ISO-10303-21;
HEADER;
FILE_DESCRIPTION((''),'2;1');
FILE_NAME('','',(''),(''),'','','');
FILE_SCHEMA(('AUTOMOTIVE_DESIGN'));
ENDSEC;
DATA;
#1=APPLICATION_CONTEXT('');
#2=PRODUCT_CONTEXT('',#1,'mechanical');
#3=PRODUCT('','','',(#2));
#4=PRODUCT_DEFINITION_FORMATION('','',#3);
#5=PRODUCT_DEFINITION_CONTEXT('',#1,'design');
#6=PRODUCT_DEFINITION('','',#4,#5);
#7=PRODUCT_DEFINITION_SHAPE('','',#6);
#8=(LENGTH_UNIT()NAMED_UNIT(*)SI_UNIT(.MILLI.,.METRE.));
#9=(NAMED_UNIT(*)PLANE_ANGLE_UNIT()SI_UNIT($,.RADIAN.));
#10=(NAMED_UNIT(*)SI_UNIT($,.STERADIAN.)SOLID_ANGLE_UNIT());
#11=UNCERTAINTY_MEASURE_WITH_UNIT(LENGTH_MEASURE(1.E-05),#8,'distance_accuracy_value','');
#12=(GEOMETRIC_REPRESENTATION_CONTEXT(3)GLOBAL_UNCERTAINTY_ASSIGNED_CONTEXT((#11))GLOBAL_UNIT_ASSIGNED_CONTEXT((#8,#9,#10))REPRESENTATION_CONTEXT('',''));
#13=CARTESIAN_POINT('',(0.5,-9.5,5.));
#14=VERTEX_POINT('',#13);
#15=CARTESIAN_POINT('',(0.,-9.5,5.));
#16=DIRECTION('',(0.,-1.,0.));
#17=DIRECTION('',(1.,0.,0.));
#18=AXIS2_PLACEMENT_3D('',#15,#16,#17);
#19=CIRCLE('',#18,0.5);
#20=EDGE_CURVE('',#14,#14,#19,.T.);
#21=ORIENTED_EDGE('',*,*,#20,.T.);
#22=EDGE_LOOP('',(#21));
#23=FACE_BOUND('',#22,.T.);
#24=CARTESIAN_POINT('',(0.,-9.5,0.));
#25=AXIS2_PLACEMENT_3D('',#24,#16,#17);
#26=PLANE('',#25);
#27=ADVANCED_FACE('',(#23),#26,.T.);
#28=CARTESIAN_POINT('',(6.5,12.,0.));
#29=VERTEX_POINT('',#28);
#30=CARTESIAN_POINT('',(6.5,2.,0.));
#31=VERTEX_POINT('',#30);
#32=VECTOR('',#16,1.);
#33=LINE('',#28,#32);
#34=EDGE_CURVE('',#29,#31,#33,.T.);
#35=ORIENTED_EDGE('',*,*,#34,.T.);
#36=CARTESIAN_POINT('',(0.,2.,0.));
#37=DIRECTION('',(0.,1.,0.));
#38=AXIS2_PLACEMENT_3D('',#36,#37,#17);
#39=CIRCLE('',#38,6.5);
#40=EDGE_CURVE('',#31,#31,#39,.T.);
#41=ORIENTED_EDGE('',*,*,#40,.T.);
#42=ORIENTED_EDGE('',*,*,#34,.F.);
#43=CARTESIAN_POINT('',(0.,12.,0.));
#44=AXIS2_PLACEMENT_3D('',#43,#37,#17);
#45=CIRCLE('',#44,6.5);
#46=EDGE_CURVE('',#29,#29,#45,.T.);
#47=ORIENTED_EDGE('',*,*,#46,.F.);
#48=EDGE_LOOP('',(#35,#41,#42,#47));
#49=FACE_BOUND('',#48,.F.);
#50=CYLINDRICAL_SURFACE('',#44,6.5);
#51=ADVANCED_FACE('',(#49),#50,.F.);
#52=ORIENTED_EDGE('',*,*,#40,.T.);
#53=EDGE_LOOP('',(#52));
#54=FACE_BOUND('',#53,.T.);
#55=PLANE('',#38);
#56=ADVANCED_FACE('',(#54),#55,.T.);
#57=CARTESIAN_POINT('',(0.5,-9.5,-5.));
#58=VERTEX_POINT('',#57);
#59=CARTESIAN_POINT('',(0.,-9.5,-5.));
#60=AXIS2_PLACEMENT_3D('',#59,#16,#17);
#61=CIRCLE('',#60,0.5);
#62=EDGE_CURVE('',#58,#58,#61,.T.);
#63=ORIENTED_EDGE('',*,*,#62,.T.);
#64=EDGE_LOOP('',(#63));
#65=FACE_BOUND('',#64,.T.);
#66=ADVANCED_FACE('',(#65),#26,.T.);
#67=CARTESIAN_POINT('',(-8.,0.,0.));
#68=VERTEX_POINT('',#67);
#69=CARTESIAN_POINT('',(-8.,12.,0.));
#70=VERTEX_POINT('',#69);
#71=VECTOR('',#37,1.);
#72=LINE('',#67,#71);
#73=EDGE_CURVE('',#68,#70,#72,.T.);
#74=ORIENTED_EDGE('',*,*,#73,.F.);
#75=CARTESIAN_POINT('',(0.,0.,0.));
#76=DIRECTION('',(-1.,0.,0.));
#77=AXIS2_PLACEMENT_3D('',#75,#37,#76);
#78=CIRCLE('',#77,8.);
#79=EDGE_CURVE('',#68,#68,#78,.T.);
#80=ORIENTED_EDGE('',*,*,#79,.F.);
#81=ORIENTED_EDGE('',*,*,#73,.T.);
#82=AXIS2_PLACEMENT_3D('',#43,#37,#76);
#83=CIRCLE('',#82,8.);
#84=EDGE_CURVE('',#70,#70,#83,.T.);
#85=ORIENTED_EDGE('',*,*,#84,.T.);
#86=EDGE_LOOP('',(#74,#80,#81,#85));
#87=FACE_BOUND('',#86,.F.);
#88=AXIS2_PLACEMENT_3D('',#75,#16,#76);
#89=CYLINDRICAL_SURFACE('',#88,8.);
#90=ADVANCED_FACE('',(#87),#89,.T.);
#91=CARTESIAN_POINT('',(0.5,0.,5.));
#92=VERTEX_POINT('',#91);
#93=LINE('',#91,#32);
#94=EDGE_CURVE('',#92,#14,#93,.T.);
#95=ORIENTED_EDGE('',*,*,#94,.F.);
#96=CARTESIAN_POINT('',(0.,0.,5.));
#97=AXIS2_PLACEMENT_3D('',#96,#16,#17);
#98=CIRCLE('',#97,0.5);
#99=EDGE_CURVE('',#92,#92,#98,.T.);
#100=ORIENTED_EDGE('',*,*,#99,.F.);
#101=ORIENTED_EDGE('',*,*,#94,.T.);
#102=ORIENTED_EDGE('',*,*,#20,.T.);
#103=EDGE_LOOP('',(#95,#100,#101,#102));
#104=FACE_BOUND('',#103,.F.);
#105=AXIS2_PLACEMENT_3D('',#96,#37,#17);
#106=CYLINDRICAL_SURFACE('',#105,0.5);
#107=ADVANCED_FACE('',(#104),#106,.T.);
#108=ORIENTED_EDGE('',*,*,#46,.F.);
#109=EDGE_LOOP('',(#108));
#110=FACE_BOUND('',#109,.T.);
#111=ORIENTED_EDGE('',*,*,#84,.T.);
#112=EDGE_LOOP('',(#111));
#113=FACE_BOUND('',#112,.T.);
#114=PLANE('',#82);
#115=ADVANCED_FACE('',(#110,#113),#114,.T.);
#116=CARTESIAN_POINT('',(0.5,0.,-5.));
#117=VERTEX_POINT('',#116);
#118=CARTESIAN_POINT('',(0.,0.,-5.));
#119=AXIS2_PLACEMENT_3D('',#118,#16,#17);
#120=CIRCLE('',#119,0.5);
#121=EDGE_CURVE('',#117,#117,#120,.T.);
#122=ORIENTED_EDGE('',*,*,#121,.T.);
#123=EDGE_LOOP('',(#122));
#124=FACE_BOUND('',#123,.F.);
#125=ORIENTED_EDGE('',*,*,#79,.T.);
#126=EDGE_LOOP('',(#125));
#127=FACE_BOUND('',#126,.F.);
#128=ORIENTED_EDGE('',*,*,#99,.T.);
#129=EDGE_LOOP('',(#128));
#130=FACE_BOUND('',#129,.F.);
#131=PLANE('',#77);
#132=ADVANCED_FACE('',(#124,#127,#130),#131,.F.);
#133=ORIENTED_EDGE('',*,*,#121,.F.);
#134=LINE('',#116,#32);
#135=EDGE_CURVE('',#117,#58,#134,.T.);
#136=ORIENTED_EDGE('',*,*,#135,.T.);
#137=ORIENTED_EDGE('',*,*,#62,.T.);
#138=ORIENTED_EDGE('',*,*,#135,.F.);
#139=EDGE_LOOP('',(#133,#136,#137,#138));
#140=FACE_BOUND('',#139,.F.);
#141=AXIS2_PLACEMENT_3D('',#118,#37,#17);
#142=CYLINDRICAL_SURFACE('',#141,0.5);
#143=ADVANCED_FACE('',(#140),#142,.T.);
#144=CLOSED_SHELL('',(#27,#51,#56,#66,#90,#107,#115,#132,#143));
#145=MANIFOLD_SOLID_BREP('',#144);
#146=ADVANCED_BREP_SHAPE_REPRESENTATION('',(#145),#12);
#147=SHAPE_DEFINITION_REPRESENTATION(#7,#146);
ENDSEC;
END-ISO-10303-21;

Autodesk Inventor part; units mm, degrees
ref_plane "YZ Plane" through (0, 0, 0) normal (1, 0, 0) x (0, 1, 0)
ref_plane "XZ Plane" through (0, 0, 0) normal (0, 1, 0) x (-1, 0, 0)
ref_plane "XY Plane" through (0, 0, 0) normal (0, 0, 1) x (1, 0, 0)
sketch "Sketch1" plane through (0, 0, 0) normal (0, 1, 0) x (-1, 0, 0)
  line L0 (0, -11.2) -> (0, 11.2) construction
  line L1 (-11.2, 0) -> (11.2, 0) construction
  circle A0 centre (0, 0) radius 8
  dimension "d0" = 16
extrude "Extrusion1" add sketch "Sketch1" along normal blind 12
sketch "Sketch2" plane through (0, 12, 0) normal (0, 1, 0) x (1, 0, 0)
  circle A0 centre (0, 0) radius 6.5
  dimension "d3" = 13
extrude "Extrusion2" cut sketch "Sketch2" against normal blind 10
sketch "Sketch4" plane through (0, 0, 0) normal (0, -1, 0) x (1, 0, 0)
  line L0 (0, 11.2) -> (0, -11.2) construction
  line L1 (-11.2, 0) -> (11.2, 0) construction
  circle A0 centre (0, 5) radius 0.5
  circle A1 centre (0, -5) radius 0.5
  point P0 (0, 0)
  dimension "d39" = 1
  dimension "d40" = 1
  dimension "d41" = 10
extrude "Extrusion4" add sketch "Sketch4" along normal blind 9.5
equation "\"d40\" = d39"
properties part number "transducer"
